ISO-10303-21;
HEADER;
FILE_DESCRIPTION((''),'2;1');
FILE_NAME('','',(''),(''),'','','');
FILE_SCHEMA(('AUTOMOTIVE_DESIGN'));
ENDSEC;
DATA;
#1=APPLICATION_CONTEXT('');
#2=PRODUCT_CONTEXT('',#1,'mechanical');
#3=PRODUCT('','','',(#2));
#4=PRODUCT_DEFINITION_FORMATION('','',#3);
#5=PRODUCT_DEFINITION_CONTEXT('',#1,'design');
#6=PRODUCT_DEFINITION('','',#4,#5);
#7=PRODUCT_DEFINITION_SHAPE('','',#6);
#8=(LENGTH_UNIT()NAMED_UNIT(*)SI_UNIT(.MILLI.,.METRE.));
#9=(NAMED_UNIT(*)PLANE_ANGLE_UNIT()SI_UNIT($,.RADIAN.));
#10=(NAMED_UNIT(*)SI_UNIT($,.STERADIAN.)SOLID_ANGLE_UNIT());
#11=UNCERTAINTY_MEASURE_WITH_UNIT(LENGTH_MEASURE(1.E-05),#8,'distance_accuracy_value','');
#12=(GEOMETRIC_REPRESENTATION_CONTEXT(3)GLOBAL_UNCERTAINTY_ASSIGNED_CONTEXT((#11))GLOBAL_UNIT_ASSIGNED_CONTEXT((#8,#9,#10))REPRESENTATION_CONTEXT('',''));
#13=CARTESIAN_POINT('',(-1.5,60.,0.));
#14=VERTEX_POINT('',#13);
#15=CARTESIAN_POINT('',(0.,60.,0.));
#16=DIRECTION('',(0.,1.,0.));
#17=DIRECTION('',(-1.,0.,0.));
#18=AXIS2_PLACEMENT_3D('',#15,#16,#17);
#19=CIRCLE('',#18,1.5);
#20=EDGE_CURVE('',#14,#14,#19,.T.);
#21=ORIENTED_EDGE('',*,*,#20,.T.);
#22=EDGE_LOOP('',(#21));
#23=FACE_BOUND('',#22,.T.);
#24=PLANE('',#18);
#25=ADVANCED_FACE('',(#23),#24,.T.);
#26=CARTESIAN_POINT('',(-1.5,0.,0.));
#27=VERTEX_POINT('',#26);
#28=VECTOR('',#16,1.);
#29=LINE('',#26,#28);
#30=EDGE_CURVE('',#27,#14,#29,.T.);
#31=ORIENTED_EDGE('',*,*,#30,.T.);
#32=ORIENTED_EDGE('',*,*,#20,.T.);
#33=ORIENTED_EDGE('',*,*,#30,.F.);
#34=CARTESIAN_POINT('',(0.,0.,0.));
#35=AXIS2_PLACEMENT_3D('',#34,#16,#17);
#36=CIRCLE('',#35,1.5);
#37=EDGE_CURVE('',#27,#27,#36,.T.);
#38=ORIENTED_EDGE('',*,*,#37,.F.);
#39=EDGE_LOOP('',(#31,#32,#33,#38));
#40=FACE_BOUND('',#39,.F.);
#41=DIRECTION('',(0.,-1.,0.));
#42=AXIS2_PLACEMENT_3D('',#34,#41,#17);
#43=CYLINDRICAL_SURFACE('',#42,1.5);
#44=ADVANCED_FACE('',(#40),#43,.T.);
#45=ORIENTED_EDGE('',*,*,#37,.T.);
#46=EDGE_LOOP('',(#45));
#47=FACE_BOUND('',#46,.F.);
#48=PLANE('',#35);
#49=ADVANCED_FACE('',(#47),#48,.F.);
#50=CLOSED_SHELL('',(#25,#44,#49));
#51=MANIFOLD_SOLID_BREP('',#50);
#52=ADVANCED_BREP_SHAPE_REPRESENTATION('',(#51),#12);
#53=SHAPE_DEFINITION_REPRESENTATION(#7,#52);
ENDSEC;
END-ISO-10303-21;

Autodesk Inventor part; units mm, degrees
ref_plane "YZ Plane" through (0, 0, 0) normal (1, 0, 0) x (0, 1, 0)
ref_plane "XZ Plane" through (0, 0, 0) normal (0, 1, 0) x (-1, 0, 0)
ref_plane "XY Plane" through (0, 0, 0) normal (0, 0, 1) x (1, 0, 0)
sketch "Sketch1" plane through (0, 0, 0) normal (0, 1, 0) x (-1, 0, 0)
  circle A0 centre (0, 0) radius 1.5
  dimension "d0" = 3
extrude "Extrusion1" add sketch "Sketch1" along normal blind 60
properties part number "60mm Standoff"
